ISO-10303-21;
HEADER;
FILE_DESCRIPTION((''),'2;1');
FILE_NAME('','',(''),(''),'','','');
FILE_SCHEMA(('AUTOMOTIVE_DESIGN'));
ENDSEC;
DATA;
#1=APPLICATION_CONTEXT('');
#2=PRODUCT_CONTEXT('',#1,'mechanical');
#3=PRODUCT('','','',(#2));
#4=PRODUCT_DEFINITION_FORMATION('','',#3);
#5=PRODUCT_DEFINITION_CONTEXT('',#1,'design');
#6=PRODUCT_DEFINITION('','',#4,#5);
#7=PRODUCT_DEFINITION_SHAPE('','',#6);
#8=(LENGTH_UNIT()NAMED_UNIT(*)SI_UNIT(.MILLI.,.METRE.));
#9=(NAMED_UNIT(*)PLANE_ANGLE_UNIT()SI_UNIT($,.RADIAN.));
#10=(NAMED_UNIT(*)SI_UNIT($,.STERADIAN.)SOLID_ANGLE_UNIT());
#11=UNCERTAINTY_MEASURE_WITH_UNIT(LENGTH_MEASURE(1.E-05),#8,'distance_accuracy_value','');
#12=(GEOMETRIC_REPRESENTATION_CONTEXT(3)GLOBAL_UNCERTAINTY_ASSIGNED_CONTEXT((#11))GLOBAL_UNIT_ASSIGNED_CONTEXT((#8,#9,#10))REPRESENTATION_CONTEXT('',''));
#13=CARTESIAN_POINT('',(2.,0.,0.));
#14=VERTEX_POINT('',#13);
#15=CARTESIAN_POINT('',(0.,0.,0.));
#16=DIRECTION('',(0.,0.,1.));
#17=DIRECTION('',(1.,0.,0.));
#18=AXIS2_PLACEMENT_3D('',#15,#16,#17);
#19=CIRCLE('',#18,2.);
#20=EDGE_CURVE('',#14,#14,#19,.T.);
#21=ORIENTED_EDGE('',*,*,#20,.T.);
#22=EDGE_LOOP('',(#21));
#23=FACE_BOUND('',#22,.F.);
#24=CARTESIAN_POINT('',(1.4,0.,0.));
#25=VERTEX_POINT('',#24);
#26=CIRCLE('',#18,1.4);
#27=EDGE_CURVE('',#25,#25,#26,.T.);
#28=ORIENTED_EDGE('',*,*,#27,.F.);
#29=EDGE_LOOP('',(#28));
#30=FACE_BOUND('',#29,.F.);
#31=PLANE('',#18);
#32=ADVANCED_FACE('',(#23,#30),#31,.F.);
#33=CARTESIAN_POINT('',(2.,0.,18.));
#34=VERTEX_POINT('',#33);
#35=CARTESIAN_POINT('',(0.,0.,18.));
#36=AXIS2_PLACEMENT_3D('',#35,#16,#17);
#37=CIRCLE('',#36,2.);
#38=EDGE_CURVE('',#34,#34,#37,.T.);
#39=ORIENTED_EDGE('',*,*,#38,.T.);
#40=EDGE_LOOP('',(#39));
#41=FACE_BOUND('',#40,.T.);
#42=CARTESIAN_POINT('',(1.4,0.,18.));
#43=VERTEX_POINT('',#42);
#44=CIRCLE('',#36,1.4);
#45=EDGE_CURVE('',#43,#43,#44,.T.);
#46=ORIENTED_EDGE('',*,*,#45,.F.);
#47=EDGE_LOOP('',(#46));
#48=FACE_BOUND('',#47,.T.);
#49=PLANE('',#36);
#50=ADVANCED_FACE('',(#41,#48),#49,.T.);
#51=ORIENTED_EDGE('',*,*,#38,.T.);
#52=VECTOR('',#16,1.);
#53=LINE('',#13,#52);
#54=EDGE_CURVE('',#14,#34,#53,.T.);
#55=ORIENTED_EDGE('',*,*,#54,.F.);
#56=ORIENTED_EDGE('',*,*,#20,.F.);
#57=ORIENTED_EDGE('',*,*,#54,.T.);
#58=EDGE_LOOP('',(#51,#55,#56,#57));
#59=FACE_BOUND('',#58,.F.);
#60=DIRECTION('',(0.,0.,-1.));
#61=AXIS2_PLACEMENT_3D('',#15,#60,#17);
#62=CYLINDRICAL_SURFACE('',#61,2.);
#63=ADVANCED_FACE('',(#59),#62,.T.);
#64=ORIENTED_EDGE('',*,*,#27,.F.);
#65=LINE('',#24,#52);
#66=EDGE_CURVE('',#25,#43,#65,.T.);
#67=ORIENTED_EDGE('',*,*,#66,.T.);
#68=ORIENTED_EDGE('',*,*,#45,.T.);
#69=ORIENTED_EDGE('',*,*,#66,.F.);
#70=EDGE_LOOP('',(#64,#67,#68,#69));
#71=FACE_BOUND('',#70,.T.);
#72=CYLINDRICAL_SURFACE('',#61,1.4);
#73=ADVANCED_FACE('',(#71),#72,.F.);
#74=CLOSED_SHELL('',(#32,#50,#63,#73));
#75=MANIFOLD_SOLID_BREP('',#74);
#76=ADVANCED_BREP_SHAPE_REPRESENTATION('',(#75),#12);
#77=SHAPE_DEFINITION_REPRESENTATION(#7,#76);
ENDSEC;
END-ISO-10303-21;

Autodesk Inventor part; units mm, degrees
ref_plane "YZ Plane" through (0, 0, 0) normal (1, 0, 0) x (0, 1, 0)
ref_plane "XZ Plane" through (0, 0, 0) normal (0, 1, 0) x (-1, 0, 0)
ref_plane "XY Plane" through (0, 0, 0) normal (0, 0, 1) x (1, 0, 0)
sketch "Sketch1" plane through (0, 0, 0) normal (0, 0, 1) x (1, 0, 0)
  circle A0 centre (0, 0) radius 2
  circle A1 centre (0, 0) radius 1.4
  dimension "d0" = 4
  dimension "d1" = 2.8
extrude "Extrusion1" add sketch "Sketch1" along normal blind 18
properties part number "MUELLE"
